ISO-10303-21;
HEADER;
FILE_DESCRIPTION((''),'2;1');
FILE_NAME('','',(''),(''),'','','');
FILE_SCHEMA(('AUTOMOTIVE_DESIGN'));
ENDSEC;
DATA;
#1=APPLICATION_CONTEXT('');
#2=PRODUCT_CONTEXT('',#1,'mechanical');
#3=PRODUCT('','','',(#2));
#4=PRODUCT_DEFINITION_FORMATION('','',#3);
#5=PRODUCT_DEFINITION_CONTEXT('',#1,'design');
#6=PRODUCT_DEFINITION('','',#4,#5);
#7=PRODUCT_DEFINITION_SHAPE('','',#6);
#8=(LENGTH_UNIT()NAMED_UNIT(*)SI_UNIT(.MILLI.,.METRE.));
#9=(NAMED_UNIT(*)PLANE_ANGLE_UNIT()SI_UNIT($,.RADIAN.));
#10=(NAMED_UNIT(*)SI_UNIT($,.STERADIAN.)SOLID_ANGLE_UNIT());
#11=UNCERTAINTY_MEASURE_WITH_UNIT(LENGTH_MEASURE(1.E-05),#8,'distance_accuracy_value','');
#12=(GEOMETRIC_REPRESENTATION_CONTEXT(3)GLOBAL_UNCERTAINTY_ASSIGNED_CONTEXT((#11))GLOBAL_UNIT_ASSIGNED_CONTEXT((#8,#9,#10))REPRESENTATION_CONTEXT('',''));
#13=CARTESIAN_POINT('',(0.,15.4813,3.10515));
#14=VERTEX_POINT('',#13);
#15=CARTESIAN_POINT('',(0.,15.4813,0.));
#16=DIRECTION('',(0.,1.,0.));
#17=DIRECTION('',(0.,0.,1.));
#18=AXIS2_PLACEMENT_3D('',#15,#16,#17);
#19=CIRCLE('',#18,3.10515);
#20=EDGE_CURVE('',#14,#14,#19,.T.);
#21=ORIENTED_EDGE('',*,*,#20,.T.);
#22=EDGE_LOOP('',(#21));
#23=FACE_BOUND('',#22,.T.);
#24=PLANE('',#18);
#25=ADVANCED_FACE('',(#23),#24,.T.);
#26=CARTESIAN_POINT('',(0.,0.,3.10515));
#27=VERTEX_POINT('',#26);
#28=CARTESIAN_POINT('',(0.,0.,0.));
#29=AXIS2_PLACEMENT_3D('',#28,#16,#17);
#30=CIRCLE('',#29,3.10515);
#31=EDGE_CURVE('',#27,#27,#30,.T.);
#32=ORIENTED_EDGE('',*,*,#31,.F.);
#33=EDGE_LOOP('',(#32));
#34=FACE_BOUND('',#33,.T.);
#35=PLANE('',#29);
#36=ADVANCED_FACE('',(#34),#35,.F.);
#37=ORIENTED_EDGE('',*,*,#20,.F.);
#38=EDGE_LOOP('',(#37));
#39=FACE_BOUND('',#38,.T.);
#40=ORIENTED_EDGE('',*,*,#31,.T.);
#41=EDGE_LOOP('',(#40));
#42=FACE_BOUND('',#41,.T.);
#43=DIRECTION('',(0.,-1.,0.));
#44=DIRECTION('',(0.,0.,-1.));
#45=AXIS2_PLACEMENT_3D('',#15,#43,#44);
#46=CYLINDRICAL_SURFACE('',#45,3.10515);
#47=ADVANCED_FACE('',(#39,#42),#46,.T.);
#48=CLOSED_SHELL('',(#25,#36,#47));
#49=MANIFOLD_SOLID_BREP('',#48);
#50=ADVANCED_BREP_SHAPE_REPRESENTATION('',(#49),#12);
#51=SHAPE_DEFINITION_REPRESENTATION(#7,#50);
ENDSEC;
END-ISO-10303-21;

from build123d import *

# Parameters (mm, degrees)
SKETCH2_R           = 3.10515
BOSS_EXTRUDE1_DEPTH = 15.4813


with BuildPart() as part:
    # Sketch2 → Boss-Extrude1 (new body)
    with BuildSketch(Plane(origin=(0, 0, 0), x_dir=(1, 0, 0), z_dir=(0, 1, 0))):
        Circle(SKETCH2_R)
    extrude(amount=BOSS_EXTRUDE1_DEPTH)


solid = part.part
